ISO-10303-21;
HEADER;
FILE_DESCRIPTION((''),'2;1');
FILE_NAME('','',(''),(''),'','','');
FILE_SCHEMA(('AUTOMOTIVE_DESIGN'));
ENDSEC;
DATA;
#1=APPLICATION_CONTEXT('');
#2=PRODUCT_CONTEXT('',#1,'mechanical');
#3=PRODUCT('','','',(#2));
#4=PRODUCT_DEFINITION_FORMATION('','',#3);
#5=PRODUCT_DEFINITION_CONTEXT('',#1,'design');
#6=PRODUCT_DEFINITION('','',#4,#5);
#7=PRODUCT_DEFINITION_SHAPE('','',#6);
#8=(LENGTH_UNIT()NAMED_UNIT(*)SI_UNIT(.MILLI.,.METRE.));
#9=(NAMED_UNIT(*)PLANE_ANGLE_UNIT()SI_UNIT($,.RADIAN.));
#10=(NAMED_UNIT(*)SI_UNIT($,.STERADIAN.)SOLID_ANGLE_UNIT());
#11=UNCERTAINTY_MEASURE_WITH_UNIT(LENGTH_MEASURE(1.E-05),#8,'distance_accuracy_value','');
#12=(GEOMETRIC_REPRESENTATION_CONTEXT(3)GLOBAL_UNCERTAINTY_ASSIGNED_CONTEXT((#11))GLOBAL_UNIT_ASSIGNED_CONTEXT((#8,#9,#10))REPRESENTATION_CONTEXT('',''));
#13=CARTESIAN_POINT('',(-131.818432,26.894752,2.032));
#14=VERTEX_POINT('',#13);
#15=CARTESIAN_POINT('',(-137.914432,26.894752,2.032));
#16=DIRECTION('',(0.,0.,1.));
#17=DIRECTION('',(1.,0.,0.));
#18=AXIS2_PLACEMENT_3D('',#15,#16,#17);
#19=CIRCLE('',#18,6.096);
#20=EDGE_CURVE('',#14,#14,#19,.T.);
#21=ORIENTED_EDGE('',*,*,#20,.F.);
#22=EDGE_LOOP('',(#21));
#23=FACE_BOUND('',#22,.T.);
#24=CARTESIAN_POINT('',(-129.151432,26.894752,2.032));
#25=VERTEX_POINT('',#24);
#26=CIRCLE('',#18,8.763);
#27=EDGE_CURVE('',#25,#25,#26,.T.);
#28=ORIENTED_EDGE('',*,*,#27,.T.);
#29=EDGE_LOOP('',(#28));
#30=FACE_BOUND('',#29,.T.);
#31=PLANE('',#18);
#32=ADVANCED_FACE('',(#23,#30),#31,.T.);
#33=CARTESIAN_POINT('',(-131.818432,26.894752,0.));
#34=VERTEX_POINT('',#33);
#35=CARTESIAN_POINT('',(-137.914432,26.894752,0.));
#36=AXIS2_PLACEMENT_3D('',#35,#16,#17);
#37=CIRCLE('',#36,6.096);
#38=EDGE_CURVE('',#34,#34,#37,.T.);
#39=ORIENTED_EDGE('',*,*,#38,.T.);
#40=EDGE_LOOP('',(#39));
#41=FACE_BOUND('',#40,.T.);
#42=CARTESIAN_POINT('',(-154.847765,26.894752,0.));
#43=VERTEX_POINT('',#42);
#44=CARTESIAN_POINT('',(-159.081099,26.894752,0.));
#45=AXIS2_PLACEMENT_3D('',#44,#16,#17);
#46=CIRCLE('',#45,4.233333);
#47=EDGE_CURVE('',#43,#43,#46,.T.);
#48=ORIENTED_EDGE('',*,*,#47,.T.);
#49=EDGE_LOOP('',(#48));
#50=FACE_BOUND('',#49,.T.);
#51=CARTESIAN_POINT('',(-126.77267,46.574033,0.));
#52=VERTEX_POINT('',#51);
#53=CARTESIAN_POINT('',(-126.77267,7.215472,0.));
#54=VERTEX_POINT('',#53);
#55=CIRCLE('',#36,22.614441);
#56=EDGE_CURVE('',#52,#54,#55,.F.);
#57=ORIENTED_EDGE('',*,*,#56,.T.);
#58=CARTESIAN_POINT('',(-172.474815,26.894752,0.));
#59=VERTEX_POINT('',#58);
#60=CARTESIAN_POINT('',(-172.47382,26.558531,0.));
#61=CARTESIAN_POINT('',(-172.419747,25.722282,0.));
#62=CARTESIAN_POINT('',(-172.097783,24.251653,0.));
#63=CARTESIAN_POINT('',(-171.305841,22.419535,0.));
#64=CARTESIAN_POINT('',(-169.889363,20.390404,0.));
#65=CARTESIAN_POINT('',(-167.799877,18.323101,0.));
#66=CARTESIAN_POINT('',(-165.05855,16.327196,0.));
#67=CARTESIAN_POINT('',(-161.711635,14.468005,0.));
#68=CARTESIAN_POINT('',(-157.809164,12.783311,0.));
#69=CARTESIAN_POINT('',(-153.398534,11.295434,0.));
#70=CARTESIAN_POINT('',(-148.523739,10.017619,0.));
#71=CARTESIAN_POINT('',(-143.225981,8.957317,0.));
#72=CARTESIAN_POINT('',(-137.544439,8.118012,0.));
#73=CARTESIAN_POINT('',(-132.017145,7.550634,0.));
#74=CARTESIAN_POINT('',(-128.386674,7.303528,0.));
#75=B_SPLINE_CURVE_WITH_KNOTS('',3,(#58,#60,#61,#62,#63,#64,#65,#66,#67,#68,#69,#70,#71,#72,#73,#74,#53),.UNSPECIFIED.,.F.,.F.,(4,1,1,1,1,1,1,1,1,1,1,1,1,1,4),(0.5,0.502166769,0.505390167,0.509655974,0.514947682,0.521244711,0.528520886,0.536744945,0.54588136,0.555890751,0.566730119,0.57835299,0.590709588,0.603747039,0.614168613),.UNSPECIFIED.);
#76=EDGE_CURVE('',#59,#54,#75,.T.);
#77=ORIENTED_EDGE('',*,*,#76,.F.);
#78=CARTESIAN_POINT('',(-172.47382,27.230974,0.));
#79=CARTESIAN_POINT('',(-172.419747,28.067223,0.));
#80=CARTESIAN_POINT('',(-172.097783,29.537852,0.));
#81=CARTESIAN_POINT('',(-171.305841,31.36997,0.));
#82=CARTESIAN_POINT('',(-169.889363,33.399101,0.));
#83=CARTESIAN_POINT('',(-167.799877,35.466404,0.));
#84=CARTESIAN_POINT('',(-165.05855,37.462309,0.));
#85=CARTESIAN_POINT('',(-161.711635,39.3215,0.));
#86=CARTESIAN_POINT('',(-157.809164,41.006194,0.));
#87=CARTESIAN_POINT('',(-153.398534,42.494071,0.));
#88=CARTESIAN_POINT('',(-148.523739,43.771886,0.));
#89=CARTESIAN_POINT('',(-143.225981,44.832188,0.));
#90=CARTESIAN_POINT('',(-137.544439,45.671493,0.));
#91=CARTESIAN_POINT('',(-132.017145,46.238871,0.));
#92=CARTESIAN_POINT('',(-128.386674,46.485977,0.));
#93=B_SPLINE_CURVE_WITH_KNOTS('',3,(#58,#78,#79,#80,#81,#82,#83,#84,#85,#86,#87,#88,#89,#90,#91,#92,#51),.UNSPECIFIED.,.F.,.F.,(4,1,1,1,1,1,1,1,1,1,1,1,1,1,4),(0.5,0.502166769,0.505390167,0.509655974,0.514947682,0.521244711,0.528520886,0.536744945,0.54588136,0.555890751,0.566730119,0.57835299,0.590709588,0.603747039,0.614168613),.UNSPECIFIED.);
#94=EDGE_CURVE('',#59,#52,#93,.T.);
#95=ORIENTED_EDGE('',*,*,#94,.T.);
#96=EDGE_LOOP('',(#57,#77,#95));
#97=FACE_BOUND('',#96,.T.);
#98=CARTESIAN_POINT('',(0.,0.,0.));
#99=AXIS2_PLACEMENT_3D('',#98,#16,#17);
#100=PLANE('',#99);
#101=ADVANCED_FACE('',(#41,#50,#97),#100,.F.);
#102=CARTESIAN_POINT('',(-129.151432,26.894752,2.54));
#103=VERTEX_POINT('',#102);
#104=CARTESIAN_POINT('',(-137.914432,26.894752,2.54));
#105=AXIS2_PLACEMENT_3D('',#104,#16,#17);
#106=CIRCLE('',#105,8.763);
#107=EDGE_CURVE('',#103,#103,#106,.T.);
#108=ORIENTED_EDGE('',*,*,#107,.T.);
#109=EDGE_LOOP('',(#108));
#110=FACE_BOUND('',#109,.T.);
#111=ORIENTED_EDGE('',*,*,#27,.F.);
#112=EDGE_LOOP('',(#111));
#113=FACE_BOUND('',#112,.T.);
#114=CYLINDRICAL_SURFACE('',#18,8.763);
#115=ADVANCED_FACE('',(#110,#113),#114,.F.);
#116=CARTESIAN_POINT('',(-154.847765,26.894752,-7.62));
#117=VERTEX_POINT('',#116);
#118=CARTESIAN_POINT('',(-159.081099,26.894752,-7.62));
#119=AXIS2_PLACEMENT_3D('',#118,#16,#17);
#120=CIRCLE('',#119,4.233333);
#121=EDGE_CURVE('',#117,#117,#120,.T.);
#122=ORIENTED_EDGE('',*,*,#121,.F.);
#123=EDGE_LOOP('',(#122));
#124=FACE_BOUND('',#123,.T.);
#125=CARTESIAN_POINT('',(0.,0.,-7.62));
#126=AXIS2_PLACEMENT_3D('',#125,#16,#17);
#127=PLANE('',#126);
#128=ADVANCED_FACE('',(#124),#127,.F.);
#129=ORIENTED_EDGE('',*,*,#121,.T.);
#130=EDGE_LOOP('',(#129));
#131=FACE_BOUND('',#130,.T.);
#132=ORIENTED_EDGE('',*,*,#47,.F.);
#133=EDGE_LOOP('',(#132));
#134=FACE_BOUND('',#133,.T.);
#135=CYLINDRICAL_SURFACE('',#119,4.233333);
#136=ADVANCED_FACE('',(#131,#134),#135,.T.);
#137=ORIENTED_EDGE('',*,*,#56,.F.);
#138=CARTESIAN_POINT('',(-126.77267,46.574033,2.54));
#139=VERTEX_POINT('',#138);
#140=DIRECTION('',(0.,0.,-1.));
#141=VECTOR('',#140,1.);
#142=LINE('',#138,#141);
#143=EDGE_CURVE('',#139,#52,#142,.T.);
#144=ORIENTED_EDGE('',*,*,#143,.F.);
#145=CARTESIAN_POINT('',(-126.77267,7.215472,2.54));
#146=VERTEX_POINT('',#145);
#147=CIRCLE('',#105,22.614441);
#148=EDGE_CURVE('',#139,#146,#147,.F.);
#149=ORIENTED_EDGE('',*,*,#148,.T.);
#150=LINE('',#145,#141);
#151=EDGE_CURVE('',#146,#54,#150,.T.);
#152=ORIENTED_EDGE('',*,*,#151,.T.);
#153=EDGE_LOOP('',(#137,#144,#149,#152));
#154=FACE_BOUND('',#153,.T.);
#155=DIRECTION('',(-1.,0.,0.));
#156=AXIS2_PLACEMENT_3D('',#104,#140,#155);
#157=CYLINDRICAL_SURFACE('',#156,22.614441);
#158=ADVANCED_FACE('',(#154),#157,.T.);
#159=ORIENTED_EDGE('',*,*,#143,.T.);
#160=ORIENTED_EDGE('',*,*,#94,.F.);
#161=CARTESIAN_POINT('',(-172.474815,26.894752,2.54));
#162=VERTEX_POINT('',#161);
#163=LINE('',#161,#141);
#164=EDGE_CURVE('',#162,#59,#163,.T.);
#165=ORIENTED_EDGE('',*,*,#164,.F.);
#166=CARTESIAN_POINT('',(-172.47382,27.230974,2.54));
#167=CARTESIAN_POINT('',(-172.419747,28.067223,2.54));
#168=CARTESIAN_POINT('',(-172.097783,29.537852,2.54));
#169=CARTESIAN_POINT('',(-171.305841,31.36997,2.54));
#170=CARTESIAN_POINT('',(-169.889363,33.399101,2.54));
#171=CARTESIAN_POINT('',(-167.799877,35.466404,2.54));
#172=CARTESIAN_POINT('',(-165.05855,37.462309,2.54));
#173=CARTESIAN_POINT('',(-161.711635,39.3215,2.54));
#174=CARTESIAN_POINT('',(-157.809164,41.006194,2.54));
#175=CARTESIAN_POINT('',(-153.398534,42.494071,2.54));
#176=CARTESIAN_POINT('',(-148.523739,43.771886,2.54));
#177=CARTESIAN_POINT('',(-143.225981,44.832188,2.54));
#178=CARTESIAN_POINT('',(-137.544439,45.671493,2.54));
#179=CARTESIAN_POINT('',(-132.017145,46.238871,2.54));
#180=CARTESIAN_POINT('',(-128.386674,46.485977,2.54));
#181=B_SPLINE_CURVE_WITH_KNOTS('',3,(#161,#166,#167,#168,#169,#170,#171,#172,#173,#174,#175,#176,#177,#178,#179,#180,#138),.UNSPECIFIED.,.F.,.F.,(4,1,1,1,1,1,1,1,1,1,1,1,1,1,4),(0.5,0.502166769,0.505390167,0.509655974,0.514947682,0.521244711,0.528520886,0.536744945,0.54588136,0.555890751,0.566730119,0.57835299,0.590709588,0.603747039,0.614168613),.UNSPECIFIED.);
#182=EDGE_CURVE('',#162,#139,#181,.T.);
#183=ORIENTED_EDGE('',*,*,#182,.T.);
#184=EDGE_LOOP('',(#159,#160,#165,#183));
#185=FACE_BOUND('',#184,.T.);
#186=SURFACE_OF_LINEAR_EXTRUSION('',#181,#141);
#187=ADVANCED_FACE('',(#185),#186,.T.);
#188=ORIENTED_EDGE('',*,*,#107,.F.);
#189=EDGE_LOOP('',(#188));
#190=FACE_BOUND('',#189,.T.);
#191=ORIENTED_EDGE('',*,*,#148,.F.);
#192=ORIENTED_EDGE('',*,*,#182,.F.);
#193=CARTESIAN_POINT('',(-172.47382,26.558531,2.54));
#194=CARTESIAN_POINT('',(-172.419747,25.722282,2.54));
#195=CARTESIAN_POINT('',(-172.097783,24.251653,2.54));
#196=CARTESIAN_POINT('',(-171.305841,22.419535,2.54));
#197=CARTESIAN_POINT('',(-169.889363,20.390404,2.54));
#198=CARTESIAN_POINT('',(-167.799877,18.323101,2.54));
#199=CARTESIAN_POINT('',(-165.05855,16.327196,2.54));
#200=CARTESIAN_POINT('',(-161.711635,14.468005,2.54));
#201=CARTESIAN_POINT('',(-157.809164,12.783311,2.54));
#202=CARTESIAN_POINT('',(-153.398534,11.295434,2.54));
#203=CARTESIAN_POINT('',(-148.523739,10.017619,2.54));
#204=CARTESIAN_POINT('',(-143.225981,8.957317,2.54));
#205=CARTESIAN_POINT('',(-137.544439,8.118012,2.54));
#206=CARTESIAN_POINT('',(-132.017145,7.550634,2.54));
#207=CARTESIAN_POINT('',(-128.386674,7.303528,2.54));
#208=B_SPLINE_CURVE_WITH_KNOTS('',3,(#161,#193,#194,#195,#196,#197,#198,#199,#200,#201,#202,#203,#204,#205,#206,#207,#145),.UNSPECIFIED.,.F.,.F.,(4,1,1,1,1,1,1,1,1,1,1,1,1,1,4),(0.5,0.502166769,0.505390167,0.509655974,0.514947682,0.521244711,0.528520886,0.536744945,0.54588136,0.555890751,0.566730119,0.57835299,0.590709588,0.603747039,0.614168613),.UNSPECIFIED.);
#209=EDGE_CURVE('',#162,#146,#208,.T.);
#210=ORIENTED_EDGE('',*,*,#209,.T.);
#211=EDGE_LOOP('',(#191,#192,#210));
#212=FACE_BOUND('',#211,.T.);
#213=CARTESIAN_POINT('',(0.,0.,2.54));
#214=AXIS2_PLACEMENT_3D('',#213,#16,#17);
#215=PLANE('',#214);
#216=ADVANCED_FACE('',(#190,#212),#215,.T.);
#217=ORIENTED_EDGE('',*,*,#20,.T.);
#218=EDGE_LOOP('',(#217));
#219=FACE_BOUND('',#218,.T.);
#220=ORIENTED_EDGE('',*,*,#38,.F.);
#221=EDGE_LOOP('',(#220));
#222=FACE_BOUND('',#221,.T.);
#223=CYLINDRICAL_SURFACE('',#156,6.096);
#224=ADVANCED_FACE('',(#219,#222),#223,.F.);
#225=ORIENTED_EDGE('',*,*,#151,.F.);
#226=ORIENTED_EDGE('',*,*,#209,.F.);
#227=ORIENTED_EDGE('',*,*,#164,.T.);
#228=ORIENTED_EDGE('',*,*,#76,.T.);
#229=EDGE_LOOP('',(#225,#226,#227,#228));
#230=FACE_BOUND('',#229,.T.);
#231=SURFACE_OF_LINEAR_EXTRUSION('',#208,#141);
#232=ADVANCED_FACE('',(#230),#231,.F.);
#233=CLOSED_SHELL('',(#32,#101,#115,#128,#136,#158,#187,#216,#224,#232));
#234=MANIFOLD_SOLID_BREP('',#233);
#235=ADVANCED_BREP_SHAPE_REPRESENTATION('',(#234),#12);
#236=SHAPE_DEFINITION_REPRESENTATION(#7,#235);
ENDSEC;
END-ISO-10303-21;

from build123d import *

# Parameters (mm, degrees)
BOSS_EXTRUDE2_DEPTH = 2.54
SKETCH1_5_R         = 4.233333332
BOSS_EXTRUDE3_DEPTH = 7.62
SKETCH1_6_R         = 6.096
CUT_EXTRUDE1_DEPTH  = 179.814895395
SKETCH4_R           = 8.763
CUT_EXTRUDE2_DEPTH  = 0.508


with BuildPart() as part:
    # Sketch1 → Boss-Extrude2 (new body)
    with BuildSketch(Plane.XY):
        with BuildLine():
            ThreePointArc((-126.772670279, 7.21547203), (-115.299991188, 26.89475243), (-126.772670279, 46.57403283))
            add(Edge.make_bspline(
                [(-172.474815081, 26.89475243), (-172.473819891, 27.230973869), (-172.419747256, 28.067223274), (-172.09778315, 29.537851691), (-171.305841422, 31.369969831), (-169.889362805, 33.399100842), (-167.799877065, 35.466403756), (-165.058549528, 37.462309128), (-161.711634876, 39.321499724), (-157.809164116, 41.006194136), (-153.398533523, 42.494070588), (-148.523738699, 43.77188575), (-143.225981342, 44.832188047), (-137.544438785, 45.671493001), (-132.01714462, 46.238870937), (-128.386674126, 46.485977046), (-126.772670279, 46.57403283)],
                knots=[0.5, 0.5, 0.5, 0.5, 0.502166769, 0.505390167, 0.509655974, 0.514947682, 0.521244711, 0.528520886, 0.536744945, 0.54588136, 0.555890751, 0.566730119, 0.57835299, 0.590709588, 0.603747039, 0.614168613, 0.614168613, 0.614168613, 0.614168613], degree=3))
            add(Edge.make_bspline(
                [(-172.474815081, 26.89475243), (-172.473819891, 26.558530991), (-172.419747256, 25.722281586), (-172.09778315, 24.251653169), (-171.305841422, 22.419535029), (-169.889362805, 20.390404018), (-167.799877065, 18.323101104), (-165.058549527, 16.327195732), (-161.711634875, 14.468005136), (-157.809164116, 12.783310723), (-153.398533522, 11.295434272), (-148.523738698, 10.01761911), (-143.225981341, 8.957316813), (-137.544438784, 8.118011859), (-132.01714462, 7.550633923), (-128.386674126, 7.303527814), (-126.772670279, 7.21547203)],
                knots=[0.5, 0.5, 0.5, 0.5, 0.502166769, 0.505390167, 0.509655974, 0.514947682, 0.521244711, 0.528520886, 0.536744945, 0.54588136, 0.555890751, 0.566730119, 0.57835299, 0.590709588, 0.603747039, 0.614168613, 0.614168613, 0.614168613, 0.614168613], degree=3))
        make_face()
    extrude(amount=BOSS_EXTRUDE2_DEPTH)

    # Sketch1<5> → Boss-Extrude3 (add)
    with BuildSketch(Plane.XY):
        with Locations((-159.081098581, 26.89475243)):
            Circle(SKETCH1_5_R)
    extrude(amount=-BOSS_EXTRUDE3_DEPTH)

    # Sketch1<6> → Cut-Extrude1 (cut, through all)
    with BuildSketch(Plane.XY):
        with Locations((-137.914431916, 26.89475243)):
            Circle(SKETCH1_6_R)
    extrude(amount=CUT_EXTRUDE1_DEPTH, mode=Mode.SUBTRACT)

    # Sketch4 → Cut-Extrude2 (cut)
    with BuildSketch(Plane.XY.offset(2.54)):
        with Locations((-137.914431916, 26.89475243)):
            Circle(SKETCH4_R)
    extrude(amount=-CUT_EXTRUDE2_DEPTH, mode=Mode.SUBTRACT)


solid = part.part
